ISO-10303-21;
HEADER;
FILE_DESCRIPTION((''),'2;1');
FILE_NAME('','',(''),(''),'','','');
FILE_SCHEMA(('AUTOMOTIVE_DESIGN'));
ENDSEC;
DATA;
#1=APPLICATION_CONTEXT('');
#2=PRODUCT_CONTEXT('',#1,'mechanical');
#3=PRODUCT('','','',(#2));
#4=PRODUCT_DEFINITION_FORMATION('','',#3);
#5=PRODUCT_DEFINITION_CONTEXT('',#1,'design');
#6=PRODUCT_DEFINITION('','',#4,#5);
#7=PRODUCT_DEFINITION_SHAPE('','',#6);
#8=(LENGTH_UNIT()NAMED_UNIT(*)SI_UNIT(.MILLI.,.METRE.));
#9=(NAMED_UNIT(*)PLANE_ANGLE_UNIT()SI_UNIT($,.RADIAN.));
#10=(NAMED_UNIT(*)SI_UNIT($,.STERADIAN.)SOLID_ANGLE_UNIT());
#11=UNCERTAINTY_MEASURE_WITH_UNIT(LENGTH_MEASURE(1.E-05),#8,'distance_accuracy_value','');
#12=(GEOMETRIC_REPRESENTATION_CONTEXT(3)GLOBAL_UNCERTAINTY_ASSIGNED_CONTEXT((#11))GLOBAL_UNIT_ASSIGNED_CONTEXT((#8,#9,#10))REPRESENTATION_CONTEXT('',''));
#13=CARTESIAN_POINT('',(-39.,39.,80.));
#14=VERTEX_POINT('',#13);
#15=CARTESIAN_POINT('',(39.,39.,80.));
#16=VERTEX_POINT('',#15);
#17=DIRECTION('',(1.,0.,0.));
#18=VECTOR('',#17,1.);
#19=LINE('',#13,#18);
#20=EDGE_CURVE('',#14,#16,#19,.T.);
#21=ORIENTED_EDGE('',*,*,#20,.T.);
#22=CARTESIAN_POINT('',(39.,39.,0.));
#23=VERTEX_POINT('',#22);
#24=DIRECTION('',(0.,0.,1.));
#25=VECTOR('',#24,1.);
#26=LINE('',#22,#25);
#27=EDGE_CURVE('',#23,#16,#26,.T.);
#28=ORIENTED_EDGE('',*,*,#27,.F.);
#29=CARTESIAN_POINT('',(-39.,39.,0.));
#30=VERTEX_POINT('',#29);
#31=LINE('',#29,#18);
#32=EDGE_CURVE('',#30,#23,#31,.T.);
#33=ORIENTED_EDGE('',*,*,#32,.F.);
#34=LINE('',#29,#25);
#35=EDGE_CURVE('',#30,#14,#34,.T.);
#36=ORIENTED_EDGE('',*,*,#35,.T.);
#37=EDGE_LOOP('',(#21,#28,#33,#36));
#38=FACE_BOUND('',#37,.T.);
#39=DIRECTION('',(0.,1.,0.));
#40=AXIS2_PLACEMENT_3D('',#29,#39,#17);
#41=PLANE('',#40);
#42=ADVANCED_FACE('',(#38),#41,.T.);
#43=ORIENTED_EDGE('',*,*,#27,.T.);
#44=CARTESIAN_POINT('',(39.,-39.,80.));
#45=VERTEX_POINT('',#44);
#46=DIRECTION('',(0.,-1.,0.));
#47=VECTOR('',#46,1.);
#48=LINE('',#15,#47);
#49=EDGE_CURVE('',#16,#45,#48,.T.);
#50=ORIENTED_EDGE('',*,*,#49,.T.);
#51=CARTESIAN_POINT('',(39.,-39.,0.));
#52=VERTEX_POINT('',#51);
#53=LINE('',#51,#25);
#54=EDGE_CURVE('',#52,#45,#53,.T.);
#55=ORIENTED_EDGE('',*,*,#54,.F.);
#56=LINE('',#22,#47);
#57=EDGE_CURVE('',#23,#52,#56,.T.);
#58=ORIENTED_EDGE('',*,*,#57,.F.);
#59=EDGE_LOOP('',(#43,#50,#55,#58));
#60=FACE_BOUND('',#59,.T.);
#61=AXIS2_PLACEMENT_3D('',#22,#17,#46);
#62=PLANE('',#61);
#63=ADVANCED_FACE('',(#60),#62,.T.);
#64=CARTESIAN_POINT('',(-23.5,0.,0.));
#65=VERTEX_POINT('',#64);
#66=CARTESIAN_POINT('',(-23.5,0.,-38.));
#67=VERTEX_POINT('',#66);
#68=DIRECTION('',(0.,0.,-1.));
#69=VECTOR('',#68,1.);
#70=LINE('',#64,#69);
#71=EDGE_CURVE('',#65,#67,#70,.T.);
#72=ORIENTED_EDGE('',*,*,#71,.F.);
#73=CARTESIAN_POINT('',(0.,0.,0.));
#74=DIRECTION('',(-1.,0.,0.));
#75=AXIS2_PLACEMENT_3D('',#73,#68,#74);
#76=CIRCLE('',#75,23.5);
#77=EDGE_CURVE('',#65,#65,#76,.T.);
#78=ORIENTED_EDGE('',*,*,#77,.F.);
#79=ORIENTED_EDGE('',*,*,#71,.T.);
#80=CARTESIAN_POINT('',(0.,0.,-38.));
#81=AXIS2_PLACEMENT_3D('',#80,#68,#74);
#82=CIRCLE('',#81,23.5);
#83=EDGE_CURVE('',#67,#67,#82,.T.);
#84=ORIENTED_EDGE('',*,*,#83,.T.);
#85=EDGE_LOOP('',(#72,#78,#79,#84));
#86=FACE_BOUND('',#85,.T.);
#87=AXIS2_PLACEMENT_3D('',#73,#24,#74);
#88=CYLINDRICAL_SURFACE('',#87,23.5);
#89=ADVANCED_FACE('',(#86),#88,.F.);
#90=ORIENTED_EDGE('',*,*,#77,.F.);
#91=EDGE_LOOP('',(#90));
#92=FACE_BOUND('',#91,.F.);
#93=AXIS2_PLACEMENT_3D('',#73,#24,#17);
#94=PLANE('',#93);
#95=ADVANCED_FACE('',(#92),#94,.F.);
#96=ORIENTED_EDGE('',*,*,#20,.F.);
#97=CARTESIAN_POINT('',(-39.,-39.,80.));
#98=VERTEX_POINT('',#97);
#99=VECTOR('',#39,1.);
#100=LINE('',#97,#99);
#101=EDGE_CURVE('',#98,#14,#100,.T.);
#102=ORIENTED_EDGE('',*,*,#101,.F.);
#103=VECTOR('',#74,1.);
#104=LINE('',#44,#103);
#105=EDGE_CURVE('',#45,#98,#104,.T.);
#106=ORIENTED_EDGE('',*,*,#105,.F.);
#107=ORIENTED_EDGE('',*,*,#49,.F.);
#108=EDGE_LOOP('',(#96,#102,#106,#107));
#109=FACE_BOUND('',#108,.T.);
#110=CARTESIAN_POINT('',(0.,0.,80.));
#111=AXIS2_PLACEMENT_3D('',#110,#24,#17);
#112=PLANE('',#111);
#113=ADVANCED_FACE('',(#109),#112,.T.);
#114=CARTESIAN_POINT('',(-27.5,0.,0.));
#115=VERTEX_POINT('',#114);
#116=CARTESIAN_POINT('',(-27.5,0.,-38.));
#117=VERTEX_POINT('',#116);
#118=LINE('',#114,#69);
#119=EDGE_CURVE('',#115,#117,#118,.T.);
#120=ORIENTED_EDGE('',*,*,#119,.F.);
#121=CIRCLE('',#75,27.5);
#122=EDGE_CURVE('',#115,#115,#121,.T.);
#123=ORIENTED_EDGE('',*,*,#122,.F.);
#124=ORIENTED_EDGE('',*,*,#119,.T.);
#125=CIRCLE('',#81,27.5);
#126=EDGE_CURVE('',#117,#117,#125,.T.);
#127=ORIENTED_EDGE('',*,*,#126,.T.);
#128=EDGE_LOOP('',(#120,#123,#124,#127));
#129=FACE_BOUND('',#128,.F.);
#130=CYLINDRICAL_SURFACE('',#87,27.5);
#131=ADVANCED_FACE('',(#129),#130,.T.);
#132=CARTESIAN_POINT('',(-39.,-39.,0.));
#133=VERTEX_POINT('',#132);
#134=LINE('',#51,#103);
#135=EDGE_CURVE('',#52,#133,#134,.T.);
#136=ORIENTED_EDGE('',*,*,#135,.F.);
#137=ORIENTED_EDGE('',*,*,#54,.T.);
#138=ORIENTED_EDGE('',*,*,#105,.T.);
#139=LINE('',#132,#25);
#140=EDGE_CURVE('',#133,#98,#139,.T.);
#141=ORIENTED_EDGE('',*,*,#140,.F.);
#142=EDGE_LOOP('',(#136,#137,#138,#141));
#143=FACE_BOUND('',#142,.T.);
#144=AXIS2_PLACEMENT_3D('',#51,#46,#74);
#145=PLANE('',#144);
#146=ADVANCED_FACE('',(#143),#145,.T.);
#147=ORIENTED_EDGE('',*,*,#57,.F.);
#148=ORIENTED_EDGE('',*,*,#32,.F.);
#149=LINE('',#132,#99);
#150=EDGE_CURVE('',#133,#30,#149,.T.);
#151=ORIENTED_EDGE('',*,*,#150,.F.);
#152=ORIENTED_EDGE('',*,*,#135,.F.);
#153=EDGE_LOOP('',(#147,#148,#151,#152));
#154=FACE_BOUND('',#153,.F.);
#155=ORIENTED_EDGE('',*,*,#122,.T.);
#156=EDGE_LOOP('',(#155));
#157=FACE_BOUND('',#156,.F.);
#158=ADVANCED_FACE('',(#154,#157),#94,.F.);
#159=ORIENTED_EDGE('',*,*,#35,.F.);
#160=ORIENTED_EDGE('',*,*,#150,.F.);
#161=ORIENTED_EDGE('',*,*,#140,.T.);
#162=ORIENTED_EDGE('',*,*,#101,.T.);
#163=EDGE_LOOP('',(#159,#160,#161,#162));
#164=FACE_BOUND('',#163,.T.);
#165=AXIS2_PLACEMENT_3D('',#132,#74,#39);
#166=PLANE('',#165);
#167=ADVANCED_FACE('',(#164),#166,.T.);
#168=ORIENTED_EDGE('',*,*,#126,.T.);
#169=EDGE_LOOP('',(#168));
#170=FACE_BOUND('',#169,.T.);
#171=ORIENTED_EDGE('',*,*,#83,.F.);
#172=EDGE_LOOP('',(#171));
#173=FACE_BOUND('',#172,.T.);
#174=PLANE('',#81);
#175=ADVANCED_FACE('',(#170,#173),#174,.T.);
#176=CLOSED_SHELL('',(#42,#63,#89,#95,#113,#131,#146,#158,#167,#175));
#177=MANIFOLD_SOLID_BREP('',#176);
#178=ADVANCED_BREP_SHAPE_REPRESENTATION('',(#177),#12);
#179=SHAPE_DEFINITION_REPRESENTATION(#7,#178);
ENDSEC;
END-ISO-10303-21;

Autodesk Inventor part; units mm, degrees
ref_plane "YZ Plane" through (0, 0, 0) normal (1, 0, 0) x (0, 1, 0)
ref_plane "XZ Plane" through (0, 0, 0) normal (0, 1, 0) x (-1, 0, 0)
ref_plane "XY Plane" through (0, 0, 0) normal (0, 0, 1) x (1, 0, 0)
sketch "Sketch1" plane through (0, 0, 0) normal (0, 0, 1) x (1, 0, 0)
  line L0 (0, 54.6) -> (0, -54.6) construction
  line L1 (-54.6, 0) -> (54.6, 0) construction
  line L2 (-39, 39) -> (39, 39)
  line L3 (39, 39) -> (39, -39)
  line L4 (39, -39) -> (-39, -39)
  line L5 (-39, -39) -> (-39, 39)
  point P0 (0, 0)
  dimension "d0" = 78
  dimension "d1" = 78
extrude "Extrusion1" add sketch "Sketch1" along normal blind 80
sketch "Sketch2" plane through (0, 0, 0) normal (0, 0, -1) x (-1, 0, 0)
  circle A0 centre (0, 0) radius 27.5
  circle A1 centre (0, 0) radius 23.5
  dimension "d4" = 55
  dimension "d5" = 47
extrude "Extrusion2" add sketch "Sketch2" along normal blind 38
properties part number "Iris15_Volume_Incorrect"
